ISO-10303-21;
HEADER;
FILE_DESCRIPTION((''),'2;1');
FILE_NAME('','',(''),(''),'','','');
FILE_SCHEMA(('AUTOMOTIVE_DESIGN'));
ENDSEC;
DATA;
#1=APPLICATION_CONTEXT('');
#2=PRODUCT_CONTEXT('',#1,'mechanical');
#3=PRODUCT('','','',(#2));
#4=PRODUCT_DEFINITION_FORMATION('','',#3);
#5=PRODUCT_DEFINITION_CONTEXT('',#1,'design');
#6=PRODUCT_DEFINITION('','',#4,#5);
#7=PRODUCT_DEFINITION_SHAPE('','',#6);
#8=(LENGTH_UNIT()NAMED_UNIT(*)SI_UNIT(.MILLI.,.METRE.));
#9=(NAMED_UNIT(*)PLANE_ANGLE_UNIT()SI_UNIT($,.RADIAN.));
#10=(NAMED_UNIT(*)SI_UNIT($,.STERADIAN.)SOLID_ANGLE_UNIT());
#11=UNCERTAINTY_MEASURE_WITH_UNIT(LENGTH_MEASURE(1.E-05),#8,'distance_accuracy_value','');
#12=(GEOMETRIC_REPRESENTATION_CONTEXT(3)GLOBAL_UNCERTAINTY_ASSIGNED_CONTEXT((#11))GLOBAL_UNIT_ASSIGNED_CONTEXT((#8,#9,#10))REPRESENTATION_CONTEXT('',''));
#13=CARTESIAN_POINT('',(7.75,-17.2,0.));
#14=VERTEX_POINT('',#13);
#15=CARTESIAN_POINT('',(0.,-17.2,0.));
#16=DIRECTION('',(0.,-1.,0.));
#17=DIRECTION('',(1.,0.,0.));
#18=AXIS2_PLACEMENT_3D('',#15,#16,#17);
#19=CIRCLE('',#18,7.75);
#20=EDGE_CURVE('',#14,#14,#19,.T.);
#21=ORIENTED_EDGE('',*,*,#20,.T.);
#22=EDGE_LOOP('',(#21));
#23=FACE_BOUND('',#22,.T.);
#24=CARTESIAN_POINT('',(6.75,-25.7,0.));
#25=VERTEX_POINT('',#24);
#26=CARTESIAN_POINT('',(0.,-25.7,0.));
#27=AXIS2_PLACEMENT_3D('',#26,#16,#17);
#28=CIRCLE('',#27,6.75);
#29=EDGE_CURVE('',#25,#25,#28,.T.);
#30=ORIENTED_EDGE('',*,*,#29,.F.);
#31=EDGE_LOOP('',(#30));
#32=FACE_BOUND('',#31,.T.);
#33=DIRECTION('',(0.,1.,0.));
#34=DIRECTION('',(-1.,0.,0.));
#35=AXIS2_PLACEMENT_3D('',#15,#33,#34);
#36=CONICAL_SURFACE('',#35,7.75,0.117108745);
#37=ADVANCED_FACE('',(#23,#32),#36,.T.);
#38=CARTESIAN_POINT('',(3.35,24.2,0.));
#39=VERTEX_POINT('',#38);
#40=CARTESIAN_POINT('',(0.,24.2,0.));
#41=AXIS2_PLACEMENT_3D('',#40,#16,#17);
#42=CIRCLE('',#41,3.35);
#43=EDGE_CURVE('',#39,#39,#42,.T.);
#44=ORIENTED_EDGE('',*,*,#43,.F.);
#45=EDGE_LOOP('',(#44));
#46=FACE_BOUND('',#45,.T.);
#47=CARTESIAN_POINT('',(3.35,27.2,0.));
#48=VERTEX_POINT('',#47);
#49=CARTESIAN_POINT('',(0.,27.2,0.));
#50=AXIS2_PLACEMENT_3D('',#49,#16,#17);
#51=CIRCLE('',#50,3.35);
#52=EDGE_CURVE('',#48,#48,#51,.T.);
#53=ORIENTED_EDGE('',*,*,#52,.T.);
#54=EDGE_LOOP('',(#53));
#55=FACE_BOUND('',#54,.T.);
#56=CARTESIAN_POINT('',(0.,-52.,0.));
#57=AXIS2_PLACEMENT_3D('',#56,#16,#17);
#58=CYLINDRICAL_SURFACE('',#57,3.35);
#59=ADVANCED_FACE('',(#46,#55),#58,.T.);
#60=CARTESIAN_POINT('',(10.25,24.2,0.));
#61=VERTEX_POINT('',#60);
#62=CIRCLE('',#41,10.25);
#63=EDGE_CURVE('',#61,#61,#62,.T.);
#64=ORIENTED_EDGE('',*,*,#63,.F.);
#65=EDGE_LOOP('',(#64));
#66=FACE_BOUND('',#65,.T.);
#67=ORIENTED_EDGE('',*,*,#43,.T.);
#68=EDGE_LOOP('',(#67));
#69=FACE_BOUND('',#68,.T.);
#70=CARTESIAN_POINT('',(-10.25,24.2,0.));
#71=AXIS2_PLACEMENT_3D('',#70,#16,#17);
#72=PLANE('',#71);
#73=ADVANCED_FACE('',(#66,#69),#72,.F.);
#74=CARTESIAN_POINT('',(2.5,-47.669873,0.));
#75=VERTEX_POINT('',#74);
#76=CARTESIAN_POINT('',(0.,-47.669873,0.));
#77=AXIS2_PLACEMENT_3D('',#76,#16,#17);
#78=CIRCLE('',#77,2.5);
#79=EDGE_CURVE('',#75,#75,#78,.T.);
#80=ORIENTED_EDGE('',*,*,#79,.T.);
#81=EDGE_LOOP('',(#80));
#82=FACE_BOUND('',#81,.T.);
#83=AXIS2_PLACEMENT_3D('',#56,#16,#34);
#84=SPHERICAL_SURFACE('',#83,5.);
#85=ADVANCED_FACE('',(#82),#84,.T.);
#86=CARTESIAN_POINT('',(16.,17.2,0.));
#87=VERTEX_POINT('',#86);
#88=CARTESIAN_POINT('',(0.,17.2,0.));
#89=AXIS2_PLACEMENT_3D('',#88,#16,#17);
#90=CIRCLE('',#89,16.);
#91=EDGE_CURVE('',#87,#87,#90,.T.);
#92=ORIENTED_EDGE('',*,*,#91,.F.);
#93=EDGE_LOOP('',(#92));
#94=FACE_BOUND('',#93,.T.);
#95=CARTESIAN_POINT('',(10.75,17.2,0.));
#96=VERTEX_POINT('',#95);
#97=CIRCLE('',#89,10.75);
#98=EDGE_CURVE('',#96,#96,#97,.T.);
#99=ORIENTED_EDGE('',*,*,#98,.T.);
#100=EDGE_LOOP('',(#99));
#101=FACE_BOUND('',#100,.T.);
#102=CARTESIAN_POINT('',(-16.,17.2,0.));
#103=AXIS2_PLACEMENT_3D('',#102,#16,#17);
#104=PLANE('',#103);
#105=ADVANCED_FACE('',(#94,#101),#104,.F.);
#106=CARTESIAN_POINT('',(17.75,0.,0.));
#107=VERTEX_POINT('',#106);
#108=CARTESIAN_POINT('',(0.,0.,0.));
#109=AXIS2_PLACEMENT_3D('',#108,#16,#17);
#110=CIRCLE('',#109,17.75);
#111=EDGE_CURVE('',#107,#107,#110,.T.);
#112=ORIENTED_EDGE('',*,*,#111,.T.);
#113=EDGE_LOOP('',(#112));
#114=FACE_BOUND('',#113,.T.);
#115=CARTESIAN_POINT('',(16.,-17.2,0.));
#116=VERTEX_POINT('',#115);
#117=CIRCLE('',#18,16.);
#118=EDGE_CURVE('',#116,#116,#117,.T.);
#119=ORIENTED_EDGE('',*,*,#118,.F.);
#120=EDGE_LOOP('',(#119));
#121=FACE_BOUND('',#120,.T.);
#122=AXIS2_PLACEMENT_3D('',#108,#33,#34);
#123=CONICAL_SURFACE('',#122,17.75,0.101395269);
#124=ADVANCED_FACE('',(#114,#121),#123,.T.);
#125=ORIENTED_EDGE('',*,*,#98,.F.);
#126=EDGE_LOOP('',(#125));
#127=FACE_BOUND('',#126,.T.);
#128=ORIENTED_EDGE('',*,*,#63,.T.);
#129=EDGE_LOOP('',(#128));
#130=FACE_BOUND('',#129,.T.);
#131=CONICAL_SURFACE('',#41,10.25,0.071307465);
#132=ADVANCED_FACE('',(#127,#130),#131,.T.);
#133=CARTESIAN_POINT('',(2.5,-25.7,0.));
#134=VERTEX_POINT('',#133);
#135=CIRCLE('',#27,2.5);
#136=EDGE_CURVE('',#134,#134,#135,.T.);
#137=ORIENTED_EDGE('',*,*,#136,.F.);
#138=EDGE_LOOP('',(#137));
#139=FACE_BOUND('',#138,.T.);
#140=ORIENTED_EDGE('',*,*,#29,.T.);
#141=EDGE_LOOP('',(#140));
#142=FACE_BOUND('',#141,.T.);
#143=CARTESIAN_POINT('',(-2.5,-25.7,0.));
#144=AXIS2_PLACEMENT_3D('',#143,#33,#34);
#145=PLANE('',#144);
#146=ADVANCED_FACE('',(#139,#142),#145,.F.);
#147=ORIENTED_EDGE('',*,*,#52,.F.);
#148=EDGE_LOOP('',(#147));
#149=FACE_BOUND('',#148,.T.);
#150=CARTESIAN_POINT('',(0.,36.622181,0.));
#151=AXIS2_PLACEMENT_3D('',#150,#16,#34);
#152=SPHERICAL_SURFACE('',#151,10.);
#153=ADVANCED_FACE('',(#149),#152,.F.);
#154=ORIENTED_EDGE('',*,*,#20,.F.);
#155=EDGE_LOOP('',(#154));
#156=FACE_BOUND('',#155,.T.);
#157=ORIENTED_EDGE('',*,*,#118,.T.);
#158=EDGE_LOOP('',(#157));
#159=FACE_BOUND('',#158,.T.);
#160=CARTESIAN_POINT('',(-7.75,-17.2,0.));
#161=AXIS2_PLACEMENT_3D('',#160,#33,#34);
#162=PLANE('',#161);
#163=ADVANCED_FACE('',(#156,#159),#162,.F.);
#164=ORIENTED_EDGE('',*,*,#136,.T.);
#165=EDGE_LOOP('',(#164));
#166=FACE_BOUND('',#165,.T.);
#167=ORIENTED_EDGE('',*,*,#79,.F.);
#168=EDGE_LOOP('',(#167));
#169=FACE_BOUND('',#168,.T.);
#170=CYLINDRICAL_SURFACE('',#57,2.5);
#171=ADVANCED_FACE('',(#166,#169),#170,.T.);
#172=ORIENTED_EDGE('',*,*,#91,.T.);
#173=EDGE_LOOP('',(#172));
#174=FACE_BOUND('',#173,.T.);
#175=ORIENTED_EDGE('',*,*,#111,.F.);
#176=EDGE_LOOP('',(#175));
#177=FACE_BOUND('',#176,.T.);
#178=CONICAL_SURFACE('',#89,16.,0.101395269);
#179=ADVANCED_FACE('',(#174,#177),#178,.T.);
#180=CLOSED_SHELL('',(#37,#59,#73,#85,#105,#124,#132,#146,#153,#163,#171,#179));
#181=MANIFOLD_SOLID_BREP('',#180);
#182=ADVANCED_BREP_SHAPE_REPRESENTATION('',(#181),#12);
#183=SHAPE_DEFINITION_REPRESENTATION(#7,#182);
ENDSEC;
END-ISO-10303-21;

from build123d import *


with BuildPart() as part:
    # Sketch1 → Revolve1 (revolve)
    with BuildSketch(Plane.XY):
        with BuildLine():
            Line((-2.5, -47.669872981), (-2.5, -25.7))
            Line((-2.5, -25.7), (-6.75, -25.7))
            Line((-6.75, -25.7), (-7.75, -17.2))
            Line((-7.75, -17.2), (-16, -17.2))
            Line((-16, -17.2), (-17.75, 0))
            Line((-17.75, 0), (-16, 17.2))
            Line((-16, 17.2), (-10.75, 17.2))
            Line((-10.75, 17.2), (-10.25, 24.2))
            Line((-10.25, 24.2), (-3.35, 24.2))
            Line((-3.35, 24.2), (-3.35, 27.2))
            ThreePointArc((-3.35, 27.2), (-1.699733397, 26.767694664), (0, 26.622181276))
            Line((0, 26.622181276), (0, -57))
            ThreePointArc((0, -57), (-4.829629131, -53.294095226), (-2.5, -47.669872981))
        make_face()
    revolve(axis=Axis((0, -52, 0), (0, 1, 0)))


solid = part.part
